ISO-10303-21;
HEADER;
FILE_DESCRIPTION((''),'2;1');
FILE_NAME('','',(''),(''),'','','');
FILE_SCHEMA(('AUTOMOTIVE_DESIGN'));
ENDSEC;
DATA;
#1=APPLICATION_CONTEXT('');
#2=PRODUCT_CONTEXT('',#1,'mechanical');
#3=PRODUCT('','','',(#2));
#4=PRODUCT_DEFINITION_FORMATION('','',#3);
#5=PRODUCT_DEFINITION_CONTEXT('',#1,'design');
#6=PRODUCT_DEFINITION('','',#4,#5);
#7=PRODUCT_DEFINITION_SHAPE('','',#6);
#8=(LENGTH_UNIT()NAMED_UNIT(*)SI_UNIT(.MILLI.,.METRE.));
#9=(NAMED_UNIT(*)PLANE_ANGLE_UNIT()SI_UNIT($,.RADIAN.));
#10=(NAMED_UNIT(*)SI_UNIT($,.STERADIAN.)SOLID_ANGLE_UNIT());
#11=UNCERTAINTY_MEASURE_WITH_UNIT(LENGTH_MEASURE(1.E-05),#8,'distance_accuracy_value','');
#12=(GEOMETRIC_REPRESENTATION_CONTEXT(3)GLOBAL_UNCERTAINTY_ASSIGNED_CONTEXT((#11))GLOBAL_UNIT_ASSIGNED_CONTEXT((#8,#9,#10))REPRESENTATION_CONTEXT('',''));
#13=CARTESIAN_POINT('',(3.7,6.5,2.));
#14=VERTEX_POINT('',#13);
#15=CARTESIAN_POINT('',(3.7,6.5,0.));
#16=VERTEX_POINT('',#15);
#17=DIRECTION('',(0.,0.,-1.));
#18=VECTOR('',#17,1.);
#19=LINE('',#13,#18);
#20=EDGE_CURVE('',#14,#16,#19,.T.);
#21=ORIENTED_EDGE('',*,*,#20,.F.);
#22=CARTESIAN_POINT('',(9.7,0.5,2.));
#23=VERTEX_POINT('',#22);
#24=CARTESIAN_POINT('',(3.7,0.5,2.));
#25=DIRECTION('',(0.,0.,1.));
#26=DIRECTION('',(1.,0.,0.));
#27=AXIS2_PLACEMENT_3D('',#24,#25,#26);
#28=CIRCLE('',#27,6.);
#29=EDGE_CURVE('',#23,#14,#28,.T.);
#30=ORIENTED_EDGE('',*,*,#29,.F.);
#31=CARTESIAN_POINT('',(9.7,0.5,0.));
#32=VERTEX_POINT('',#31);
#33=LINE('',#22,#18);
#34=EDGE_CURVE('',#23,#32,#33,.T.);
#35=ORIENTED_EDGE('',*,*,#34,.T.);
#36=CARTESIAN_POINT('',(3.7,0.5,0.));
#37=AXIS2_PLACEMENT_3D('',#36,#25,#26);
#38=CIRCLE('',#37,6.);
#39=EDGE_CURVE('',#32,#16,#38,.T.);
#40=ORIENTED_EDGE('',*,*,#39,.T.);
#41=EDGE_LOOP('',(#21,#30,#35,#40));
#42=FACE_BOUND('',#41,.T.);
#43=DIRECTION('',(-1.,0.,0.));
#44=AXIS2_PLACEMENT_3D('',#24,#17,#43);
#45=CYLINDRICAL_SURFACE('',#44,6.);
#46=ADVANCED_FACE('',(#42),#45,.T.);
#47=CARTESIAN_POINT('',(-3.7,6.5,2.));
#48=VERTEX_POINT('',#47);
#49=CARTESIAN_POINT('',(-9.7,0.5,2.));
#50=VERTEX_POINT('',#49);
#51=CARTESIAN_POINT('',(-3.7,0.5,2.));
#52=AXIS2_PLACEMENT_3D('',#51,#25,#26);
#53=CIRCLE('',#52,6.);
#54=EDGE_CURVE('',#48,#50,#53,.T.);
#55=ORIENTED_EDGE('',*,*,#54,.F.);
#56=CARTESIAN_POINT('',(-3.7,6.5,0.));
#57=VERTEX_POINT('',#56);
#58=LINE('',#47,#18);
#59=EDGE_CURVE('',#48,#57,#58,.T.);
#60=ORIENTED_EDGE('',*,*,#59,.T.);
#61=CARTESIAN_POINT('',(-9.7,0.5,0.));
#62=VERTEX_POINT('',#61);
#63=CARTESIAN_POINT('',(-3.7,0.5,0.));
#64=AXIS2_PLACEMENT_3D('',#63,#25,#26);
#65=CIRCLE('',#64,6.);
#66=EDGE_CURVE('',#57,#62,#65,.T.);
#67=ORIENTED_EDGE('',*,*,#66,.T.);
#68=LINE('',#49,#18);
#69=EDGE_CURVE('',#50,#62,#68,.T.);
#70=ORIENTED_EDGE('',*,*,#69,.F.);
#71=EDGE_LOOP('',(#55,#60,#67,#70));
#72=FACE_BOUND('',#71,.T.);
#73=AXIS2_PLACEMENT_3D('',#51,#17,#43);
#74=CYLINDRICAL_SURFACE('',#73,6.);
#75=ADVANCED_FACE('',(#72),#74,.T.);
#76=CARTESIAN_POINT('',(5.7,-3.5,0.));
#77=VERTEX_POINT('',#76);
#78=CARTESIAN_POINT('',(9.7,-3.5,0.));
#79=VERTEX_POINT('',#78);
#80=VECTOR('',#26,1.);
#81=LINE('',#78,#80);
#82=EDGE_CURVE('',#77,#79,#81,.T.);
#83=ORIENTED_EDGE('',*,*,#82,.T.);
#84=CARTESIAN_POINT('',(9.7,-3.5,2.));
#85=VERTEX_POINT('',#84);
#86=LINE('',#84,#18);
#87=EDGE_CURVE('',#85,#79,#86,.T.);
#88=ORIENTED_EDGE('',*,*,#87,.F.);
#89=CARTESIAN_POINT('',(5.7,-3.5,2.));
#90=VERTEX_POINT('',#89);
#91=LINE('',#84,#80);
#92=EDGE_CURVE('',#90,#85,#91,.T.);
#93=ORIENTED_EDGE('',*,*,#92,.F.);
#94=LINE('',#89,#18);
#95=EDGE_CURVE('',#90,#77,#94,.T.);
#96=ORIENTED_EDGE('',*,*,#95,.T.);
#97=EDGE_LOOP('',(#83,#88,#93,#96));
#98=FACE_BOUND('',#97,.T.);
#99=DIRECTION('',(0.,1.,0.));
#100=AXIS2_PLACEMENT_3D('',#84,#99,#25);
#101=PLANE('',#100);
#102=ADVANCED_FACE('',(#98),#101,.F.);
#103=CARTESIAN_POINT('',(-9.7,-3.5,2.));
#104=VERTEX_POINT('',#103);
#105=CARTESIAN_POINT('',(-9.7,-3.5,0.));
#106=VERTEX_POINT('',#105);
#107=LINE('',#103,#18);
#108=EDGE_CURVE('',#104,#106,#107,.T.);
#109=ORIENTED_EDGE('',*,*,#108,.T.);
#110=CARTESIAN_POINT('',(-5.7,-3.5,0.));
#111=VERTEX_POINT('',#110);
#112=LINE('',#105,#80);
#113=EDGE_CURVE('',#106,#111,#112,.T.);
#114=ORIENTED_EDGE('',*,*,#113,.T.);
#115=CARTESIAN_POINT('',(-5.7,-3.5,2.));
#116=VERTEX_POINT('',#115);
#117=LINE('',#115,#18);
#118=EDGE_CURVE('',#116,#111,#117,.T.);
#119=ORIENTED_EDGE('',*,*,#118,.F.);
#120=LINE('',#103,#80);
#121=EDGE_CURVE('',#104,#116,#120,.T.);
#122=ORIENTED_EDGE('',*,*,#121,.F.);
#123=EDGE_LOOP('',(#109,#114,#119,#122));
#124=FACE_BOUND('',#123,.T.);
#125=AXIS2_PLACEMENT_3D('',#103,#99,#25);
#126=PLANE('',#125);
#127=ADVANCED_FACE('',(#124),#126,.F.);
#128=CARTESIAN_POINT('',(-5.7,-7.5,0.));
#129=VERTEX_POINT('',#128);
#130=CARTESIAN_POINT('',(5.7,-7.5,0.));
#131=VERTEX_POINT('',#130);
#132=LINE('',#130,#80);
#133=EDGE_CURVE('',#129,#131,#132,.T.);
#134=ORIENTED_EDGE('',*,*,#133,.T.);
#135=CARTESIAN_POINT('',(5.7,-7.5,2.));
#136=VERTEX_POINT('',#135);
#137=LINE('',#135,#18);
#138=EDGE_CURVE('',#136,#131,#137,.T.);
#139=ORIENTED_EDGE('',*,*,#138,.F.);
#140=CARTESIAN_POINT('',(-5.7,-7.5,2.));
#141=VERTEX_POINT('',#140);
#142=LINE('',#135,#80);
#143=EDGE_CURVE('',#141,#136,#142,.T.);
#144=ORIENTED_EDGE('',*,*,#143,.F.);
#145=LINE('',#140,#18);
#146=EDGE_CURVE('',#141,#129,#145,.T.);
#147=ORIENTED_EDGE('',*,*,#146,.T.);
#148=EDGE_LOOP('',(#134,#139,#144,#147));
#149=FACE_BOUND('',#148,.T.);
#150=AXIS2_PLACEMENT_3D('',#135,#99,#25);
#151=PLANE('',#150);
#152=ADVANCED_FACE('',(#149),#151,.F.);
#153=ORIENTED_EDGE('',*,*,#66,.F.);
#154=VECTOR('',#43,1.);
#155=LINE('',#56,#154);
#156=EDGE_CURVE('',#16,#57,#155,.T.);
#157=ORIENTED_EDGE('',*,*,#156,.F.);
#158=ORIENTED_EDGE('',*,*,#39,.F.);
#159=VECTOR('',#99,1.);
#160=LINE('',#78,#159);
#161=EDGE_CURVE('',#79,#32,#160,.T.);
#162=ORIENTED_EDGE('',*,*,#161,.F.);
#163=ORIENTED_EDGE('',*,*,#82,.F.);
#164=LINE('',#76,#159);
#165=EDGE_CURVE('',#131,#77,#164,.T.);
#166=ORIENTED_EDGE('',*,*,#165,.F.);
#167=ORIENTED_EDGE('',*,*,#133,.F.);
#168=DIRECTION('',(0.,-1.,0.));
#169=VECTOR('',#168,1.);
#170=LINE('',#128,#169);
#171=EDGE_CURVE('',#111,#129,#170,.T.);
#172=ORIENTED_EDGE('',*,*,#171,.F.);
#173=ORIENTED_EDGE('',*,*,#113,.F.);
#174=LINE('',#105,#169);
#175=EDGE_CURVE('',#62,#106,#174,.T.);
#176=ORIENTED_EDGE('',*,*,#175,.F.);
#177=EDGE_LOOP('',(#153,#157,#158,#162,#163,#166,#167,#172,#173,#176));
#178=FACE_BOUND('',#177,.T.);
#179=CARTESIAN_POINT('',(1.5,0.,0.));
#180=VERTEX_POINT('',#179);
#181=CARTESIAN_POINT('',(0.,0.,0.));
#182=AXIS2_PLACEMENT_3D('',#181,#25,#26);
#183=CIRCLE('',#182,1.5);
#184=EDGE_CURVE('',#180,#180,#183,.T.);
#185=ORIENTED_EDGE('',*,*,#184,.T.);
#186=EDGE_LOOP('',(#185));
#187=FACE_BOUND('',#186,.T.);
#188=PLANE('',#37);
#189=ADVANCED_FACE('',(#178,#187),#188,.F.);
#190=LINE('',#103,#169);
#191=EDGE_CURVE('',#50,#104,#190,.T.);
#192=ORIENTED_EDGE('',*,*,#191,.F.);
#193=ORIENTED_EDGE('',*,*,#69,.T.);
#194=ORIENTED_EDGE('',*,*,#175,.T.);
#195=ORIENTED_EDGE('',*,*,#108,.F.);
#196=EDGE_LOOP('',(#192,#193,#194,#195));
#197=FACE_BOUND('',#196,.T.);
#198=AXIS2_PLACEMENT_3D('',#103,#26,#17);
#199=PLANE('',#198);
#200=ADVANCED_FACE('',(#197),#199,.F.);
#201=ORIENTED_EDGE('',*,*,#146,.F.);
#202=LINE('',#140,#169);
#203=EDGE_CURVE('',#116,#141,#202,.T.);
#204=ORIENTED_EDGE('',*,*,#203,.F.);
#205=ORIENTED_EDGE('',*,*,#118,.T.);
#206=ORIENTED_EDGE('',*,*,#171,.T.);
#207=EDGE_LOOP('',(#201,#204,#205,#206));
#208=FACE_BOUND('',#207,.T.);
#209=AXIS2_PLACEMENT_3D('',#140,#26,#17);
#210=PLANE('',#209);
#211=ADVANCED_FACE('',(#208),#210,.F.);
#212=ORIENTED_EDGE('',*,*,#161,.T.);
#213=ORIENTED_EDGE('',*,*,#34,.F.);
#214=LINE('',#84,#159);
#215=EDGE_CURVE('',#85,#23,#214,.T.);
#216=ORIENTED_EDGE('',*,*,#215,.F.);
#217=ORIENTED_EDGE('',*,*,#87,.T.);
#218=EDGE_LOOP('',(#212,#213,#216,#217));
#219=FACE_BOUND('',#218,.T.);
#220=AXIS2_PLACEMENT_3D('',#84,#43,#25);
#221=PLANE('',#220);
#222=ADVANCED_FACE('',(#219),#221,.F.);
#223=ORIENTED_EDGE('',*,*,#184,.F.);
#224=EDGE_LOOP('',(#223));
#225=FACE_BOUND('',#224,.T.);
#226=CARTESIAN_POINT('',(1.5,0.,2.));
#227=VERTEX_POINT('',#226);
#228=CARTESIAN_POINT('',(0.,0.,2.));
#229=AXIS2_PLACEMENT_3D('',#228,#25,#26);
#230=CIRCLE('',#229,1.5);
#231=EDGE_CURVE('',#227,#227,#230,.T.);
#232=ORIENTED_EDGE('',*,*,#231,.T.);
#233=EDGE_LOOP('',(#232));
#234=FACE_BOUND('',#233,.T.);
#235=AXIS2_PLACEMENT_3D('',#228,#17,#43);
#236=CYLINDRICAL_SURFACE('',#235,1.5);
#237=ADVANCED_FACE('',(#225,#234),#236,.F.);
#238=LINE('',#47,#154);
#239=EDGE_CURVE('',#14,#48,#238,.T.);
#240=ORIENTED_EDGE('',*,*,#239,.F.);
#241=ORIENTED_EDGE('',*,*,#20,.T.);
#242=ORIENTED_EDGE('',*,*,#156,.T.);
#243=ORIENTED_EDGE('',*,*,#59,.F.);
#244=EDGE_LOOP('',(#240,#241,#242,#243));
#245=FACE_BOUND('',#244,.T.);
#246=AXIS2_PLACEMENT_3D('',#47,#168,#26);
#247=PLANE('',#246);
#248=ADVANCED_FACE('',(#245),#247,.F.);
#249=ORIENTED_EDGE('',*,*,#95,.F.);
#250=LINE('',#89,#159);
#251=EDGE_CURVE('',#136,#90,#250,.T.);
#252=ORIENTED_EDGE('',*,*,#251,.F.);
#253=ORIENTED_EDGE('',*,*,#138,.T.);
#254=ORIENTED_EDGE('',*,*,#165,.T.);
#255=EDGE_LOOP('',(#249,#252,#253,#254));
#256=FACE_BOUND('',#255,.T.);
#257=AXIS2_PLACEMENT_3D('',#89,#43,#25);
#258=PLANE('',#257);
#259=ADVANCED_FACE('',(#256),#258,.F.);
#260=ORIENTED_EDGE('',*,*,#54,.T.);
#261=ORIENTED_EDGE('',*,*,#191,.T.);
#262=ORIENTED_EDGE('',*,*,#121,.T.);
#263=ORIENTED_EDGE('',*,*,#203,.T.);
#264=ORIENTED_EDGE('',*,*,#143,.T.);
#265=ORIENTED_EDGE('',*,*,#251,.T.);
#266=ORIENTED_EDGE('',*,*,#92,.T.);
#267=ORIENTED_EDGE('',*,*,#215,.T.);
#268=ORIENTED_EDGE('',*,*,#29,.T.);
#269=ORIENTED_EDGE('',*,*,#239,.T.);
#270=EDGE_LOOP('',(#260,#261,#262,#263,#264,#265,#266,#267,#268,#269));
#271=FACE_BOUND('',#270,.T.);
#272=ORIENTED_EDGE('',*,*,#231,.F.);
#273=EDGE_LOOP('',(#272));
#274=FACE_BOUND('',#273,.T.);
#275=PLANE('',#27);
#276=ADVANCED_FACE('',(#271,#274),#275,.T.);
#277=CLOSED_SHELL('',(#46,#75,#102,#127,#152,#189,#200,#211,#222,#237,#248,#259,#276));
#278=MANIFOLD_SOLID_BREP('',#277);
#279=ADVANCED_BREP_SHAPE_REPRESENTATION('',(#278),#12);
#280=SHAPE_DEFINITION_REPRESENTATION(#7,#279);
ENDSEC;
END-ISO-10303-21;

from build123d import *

# Parameters (mm, degrees)
MODEL_R             = 1.5
BOSS_EXTRUDE1_DEPTH = 2


with BuildPart() as part:
    # Model → Boss-Extrude1 (new body)
    with BuildSketch(Plane.XY):
        with BuildLine():
            Line((9.7, -3.5), (9.7, 0.5))
            ThreePointArc((9.7, 0.5), (7.942640687, 4.742640687), (3.7, 6.5))
            Line((3.7, 6.5), (-3.7, 6.5))
            ThreePointArc((-3.7, 6.5), (-7.942640687, 4.742640687), (-9.7, 0.5))
            Line((-9.7, 0.5), (-9.7, -3.5))
            Line((-9.7, -3.5), (-5.7, -3.5))
            Line((-5.7, -3.5), (-5.7, -7.5))
            Line((-5.7, -7.5), (5.7, -7.5))
            Line((5.7, -7.5), (5.7, -3.5))
            Line((5.7, -3.5), (9.7, -3.5))
        make_face()
        Circle(MODEL_R, mode=Mode.SUBTRACT)
    extrude(amount=BOSS_EXTRUDE1_DEPTH)


solid = part.part
